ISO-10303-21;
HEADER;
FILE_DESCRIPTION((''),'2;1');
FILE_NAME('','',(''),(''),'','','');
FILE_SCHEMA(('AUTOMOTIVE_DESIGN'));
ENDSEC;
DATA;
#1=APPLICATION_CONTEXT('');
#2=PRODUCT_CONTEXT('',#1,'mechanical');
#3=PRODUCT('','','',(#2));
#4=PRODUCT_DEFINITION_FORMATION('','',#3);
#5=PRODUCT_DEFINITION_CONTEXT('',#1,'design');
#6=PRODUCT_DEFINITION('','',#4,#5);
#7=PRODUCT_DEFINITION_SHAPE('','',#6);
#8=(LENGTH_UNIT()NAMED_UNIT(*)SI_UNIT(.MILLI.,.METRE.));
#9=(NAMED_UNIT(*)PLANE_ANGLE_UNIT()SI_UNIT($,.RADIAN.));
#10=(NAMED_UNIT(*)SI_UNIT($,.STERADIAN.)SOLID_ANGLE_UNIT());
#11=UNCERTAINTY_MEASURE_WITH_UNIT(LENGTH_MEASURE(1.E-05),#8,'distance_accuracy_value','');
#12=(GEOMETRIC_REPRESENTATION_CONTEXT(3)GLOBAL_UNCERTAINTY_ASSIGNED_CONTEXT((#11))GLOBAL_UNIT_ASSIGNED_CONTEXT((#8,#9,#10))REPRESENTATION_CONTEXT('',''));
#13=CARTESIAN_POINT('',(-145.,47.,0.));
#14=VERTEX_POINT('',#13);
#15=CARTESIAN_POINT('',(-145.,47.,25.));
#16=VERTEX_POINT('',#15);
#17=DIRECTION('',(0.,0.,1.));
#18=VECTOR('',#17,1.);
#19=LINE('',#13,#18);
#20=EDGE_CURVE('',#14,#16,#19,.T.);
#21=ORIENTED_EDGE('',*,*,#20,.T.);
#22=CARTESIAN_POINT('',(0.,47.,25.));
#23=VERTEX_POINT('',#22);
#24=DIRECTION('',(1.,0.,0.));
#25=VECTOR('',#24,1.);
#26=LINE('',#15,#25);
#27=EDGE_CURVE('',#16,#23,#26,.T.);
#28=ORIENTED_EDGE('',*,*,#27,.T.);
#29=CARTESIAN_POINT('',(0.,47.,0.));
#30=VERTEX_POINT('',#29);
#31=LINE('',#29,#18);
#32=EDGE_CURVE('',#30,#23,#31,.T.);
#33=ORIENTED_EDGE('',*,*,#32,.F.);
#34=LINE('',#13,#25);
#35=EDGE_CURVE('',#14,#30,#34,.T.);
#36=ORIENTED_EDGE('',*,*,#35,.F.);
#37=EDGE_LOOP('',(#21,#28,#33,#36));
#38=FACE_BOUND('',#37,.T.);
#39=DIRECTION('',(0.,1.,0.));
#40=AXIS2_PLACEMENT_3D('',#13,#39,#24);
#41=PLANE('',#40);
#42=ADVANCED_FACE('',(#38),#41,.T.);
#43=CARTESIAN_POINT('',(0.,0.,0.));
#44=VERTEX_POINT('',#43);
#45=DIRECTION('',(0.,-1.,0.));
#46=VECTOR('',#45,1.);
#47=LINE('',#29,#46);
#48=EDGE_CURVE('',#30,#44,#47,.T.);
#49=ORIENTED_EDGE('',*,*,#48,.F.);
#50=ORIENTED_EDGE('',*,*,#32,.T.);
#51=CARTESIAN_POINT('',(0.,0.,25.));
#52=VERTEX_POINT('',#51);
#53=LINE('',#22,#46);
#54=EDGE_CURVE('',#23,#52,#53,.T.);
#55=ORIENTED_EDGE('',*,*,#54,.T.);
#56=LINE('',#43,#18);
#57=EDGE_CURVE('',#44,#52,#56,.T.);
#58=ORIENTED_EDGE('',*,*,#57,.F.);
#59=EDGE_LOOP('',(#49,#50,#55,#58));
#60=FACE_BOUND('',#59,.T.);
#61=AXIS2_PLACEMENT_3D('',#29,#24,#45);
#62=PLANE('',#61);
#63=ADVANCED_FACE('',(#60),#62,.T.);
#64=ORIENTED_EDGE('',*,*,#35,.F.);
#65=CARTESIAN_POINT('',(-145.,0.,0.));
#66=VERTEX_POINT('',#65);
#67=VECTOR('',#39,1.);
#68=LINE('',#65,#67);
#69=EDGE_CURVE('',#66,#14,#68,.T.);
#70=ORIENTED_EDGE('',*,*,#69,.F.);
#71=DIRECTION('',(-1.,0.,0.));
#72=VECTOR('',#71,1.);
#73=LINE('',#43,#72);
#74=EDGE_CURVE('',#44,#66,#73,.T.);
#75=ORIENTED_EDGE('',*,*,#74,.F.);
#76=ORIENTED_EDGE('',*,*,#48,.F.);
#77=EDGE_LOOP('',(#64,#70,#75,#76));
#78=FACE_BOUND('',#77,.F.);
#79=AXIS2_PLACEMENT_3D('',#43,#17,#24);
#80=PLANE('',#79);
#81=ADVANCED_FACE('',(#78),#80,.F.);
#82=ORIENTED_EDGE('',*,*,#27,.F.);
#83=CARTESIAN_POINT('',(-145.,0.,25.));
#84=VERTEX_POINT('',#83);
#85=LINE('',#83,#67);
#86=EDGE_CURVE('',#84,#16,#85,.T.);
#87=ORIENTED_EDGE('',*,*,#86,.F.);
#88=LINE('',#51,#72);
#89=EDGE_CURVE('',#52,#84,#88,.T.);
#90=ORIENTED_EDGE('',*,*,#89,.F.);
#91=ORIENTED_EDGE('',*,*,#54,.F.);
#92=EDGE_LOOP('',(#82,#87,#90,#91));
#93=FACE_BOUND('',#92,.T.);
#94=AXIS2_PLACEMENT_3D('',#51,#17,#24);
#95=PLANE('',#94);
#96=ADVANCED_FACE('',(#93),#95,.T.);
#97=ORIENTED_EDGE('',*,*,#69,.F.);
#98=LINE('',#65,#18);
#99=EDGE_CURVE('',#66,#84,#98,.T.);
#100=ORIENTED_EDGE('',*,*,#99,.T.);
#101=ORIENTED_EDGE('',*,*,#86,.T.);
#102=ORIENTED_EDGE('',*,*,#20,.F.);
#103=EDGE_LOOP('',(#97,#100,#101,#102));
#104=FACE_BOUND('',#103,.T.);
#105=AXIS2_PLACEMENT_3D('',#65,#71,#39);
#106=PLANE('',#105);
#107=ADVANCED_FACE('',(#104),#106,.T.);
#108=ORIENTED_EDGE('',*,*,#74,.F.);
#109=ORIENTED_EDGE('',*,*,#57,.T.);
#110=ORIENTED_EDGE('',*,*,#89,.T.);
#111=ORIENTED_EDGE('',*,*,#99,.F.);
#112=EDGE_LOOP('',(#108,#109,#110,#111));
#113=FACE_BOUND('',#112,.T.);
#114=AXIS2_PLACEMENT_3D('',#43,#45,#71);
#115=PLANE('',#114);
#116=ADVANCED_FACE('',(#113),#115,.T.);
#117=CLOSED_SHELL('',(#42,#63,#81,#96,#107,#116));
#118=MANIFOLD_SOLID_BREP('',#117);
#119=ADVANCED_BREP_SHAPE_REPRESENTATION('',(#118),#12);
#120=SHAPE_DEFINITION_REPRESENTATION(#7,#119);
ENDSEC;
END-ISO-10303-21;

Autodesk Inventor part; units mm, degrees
ref_plane "YZ Plane" through (0, 0, 0) normal (1, 0, 0) x (0, 1, 0)
ref_plane "XZ Plane" through (0, 0, 0) normal (0, 1, 0) x (-1, 0, 0)
ref_plane "XY Plane" through (0, 0, 0) normal (0, 0, 1) x (1, 0, 0)
sketch "Sketch1" plane through (0, 0, 0) normal (0, 0, 1) x (1, 0, 0)
  line L0 (0, 0) -> (-145, 0)
  line L1 (-145, 0) -> (-145, 47)
  line L2 (-145, 47) -> (0, 47)
  line L3 (0, 47) -> (0, 0)
  dimension "d0" = 145
  dimension "d1" = 47
extrude "Extrusion1" add sketch "Sketch1" along normal blind 25
properties part number "Bateria"
